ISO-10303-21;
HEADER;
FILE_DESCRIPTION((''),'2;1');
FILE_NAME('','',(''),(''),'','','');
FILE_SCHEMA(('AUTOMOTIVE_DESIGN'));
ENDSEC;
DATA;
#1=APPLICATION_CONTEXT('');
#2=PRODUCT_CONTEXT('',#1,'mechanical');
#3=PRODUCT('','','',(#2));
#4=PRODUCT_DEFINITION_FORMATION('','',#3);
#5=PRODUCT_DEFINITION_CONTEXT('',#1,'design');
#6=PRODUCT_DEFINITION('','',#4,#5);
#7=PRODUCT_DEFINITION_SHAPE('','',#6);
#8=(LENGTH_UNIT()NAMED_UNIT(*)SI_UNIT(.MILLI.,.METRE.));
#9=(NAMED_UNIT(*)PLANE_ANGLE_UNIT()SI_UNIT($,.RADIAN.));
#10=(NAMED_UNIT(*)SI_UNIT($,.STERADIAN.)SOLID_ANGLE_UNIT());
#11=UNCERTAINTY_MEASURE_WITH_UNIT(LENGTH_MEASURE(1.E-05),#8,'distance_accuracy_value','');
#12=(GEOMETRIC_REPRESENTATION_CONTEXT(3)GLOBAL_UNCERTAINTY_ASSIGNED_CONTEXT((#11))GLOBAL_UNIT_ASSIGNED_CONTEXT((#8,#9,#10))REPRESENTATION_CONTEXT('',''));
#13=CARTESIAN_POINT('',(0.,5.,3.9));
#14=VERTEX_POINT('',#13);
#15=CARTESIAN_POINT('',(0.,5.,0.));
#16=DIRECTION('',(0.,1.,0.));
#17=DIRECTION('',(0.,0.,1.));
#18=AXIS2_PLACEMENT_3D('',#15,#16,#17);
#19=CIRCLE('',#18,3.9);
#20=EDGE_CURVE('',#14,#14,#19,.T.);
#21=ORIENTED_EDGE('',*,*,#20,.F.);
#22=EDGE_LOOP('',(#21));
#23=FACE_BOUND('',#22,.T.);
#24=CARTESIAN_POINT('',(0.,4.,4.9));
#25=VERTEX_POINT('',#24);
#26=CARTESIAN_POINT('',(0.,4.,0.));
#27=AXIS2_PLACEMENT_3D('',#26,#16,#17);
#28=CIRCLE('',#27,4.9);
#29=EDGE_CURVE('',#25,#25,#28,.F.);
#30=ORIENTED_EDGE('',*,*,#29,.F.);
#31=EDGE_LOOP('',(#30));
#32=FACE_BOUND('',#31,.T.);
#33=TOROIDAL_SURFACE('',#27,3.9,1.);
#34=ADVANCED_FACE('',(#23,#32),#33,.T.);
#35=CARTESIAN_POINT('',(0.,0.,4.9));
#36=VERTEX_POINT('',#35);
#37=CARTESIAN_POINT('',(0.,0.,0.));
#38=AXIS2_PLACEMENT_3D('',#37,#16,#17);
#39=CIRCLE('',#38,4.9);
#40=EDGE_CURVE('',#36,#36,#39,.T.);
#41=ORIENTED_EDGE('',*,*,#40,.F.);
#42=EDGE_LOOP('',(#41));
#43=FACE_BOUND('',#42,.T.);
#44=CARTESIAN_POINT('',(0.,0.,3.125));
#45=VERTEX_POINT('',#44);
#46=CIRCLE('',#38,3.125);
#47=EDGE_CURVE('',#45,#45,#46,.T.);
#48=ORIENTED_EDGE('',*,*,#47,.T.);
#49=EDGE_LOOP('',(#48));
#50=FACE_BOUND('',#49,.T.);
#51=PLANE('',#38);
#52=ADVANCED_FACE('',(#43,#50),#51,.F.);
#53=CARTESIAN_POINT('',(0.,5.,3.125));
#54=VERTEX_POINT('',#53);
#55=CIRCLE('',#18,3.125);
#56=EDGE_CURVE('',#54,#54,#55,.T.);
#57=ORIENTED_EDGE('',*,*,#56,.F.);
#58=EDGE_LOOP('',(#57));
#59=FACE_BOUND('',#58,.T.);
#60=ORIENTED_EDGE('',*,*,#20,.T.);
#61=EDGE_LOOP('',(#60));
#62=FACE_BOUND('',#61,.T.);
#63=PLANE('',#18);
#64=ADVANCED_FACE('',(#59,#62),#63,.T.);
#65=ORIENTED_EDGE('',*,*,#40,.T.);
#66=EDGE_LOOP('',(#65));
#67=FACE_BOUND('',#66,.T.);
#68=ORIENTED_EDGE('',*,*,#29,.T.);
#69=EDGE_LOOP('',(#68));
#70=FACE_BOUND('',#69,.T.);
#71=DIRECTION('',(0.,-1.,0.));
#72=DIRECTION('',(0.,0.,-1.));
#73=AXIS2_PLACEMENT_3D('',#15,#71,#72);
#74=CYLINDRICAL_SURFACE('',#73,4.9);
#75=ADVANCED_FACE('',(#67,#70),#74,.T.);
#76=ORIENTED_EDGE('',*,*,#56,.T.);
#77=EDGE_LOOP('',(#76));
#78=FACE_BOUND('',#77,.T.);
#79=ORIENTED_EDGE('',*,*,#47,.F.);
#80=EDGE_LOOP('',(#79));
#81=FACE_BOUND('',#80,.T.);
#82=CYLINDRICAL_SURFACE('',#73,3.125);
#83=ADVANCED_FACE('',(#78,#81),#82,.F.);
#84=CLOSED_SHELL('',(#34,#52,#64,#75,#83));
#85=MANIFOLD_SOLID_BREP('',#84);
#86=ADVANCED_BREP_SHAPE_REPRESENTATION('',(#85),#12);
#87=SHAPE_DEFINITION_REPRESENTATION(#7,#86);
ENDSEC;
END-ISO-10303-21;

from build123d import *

# Parameters (mm, degrees)
SKETCH1_R           = 4.9
SKETCH1_R_2         = 3.125
BOSS_EXTRUDE1_DEPTH = 5
FILLET1_R           = 1


with BuildPart() as part:
    # Sketch1 → Boss-Extrude1 (new body)
    with BuildSketch(Plane(origin=(0, 0, 0), x_dir=(1, 0, 0), z_dir=(0, 1, 0))):
        Circle(SKETCH1_R)
        Circle(SKETCH1_R_2, mode=Mode.SUBTRACT)
    extrude(amount=BOSS_EXTRUDE1_DEPTH)

    # Fillet1
    fillet1_edges = [part.edges().sort_by_distance(p)[0] for p in [
        (-4.9, 5, 0),
    ]]
    fillet(fillet1_edges, radius=FILLET1_R)


solid = part.part
